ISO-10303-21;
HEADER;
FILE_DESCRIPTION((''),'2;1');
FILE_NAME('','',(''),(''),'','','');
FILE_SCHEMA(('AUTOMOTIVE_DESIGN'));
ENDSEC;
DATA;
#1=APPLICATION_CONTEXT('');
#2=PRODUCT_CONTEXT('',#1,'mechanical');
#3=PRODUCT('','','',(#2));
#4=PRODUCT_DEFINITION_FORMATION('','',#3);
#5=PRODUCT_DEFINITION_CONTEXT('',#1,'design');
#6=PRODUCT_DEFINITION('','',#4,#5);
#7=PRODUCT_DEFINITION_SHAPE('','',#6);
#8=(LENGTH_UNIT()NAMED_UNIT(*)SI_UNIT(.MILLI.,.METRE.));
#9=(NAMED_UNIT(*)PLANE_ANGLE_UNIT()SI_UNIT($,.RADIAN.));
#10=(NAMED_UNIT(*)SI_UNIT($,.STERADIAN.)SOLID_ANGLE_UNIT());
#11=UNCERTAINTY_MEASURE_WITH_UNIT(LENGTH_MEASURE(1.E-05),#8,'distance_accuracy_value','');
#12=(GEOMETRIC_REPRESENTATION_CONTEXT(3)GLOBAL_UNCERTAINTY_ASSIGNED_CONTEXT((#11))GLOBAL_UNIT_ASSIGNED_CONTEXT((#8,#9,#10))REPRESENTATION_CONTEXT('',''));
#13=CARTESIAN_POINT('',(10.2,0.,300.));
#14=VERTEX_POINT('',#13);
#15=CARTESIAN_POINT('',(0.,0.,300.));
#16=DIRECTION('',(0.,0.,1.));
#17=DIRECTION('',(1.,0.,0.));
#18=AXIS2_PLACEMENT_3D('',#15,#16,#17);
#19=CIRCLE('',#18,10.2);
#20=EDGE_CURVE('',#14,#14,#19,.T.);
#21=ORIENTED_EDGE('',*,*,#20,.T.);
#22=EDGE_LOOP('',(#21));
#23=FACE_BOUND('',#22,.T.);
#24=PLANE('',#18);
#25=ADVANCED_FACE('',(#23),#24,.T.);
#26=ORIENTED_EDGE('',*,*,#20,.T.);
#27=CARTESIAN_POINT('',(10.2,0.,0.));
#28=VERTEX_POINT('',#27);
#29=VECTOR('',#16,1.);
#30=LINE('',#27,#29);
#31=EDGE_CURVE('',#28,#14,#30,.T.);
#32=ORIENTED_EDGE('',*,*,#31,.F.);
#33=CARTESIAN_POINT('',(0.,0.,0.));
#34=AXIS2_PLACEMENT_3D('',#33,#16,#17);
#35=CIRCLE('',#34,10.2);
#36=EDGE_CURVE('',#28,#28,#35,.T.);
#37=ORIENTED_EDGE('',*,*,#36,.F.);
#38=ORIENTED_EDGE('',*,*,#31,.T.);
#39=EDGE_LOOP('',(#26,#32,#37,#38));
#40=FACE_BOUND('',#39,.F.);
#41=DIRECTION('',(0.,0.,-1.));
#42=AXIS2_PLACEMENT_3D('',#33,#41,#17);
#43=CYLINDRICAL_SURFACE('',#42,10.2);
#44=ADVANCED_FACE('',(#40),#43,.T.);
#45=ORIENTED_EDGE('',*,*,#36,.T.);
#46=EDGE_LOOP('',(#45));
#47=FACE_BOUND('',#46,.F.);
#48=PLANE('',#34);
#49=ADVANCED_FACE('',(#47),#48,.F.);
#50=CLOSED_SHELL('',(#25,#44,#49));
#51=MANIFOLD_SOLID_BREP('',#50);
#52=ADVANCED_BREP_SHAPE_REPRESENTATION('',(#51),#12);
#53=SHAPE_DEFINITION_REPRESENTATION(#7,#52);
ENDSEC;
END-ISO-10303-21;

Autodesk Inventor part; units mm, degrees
ref_plane "YZ Plane" through (0, 0, 0) normal (1, 0, 0) x (0, 1, 0)
ref_plane "XZ Plane" through (0, 0, 0) normal (0, 1, 0) x (-1, 0, 0)
ref_plane "XY Plane" through (0, 0, 0) normal (0, 0, 1) x (1, 0, 0)
sketch "Sketch1" plane through (0, 0, 0) normal (0, 0, 1) x (1, 0, 0)
  circle A0 centre (0, 0) radius 10.2
  dimension "d0" = 20.4
extrude "Extrusion1" add sketch "Sketch1" along normal blind 300
